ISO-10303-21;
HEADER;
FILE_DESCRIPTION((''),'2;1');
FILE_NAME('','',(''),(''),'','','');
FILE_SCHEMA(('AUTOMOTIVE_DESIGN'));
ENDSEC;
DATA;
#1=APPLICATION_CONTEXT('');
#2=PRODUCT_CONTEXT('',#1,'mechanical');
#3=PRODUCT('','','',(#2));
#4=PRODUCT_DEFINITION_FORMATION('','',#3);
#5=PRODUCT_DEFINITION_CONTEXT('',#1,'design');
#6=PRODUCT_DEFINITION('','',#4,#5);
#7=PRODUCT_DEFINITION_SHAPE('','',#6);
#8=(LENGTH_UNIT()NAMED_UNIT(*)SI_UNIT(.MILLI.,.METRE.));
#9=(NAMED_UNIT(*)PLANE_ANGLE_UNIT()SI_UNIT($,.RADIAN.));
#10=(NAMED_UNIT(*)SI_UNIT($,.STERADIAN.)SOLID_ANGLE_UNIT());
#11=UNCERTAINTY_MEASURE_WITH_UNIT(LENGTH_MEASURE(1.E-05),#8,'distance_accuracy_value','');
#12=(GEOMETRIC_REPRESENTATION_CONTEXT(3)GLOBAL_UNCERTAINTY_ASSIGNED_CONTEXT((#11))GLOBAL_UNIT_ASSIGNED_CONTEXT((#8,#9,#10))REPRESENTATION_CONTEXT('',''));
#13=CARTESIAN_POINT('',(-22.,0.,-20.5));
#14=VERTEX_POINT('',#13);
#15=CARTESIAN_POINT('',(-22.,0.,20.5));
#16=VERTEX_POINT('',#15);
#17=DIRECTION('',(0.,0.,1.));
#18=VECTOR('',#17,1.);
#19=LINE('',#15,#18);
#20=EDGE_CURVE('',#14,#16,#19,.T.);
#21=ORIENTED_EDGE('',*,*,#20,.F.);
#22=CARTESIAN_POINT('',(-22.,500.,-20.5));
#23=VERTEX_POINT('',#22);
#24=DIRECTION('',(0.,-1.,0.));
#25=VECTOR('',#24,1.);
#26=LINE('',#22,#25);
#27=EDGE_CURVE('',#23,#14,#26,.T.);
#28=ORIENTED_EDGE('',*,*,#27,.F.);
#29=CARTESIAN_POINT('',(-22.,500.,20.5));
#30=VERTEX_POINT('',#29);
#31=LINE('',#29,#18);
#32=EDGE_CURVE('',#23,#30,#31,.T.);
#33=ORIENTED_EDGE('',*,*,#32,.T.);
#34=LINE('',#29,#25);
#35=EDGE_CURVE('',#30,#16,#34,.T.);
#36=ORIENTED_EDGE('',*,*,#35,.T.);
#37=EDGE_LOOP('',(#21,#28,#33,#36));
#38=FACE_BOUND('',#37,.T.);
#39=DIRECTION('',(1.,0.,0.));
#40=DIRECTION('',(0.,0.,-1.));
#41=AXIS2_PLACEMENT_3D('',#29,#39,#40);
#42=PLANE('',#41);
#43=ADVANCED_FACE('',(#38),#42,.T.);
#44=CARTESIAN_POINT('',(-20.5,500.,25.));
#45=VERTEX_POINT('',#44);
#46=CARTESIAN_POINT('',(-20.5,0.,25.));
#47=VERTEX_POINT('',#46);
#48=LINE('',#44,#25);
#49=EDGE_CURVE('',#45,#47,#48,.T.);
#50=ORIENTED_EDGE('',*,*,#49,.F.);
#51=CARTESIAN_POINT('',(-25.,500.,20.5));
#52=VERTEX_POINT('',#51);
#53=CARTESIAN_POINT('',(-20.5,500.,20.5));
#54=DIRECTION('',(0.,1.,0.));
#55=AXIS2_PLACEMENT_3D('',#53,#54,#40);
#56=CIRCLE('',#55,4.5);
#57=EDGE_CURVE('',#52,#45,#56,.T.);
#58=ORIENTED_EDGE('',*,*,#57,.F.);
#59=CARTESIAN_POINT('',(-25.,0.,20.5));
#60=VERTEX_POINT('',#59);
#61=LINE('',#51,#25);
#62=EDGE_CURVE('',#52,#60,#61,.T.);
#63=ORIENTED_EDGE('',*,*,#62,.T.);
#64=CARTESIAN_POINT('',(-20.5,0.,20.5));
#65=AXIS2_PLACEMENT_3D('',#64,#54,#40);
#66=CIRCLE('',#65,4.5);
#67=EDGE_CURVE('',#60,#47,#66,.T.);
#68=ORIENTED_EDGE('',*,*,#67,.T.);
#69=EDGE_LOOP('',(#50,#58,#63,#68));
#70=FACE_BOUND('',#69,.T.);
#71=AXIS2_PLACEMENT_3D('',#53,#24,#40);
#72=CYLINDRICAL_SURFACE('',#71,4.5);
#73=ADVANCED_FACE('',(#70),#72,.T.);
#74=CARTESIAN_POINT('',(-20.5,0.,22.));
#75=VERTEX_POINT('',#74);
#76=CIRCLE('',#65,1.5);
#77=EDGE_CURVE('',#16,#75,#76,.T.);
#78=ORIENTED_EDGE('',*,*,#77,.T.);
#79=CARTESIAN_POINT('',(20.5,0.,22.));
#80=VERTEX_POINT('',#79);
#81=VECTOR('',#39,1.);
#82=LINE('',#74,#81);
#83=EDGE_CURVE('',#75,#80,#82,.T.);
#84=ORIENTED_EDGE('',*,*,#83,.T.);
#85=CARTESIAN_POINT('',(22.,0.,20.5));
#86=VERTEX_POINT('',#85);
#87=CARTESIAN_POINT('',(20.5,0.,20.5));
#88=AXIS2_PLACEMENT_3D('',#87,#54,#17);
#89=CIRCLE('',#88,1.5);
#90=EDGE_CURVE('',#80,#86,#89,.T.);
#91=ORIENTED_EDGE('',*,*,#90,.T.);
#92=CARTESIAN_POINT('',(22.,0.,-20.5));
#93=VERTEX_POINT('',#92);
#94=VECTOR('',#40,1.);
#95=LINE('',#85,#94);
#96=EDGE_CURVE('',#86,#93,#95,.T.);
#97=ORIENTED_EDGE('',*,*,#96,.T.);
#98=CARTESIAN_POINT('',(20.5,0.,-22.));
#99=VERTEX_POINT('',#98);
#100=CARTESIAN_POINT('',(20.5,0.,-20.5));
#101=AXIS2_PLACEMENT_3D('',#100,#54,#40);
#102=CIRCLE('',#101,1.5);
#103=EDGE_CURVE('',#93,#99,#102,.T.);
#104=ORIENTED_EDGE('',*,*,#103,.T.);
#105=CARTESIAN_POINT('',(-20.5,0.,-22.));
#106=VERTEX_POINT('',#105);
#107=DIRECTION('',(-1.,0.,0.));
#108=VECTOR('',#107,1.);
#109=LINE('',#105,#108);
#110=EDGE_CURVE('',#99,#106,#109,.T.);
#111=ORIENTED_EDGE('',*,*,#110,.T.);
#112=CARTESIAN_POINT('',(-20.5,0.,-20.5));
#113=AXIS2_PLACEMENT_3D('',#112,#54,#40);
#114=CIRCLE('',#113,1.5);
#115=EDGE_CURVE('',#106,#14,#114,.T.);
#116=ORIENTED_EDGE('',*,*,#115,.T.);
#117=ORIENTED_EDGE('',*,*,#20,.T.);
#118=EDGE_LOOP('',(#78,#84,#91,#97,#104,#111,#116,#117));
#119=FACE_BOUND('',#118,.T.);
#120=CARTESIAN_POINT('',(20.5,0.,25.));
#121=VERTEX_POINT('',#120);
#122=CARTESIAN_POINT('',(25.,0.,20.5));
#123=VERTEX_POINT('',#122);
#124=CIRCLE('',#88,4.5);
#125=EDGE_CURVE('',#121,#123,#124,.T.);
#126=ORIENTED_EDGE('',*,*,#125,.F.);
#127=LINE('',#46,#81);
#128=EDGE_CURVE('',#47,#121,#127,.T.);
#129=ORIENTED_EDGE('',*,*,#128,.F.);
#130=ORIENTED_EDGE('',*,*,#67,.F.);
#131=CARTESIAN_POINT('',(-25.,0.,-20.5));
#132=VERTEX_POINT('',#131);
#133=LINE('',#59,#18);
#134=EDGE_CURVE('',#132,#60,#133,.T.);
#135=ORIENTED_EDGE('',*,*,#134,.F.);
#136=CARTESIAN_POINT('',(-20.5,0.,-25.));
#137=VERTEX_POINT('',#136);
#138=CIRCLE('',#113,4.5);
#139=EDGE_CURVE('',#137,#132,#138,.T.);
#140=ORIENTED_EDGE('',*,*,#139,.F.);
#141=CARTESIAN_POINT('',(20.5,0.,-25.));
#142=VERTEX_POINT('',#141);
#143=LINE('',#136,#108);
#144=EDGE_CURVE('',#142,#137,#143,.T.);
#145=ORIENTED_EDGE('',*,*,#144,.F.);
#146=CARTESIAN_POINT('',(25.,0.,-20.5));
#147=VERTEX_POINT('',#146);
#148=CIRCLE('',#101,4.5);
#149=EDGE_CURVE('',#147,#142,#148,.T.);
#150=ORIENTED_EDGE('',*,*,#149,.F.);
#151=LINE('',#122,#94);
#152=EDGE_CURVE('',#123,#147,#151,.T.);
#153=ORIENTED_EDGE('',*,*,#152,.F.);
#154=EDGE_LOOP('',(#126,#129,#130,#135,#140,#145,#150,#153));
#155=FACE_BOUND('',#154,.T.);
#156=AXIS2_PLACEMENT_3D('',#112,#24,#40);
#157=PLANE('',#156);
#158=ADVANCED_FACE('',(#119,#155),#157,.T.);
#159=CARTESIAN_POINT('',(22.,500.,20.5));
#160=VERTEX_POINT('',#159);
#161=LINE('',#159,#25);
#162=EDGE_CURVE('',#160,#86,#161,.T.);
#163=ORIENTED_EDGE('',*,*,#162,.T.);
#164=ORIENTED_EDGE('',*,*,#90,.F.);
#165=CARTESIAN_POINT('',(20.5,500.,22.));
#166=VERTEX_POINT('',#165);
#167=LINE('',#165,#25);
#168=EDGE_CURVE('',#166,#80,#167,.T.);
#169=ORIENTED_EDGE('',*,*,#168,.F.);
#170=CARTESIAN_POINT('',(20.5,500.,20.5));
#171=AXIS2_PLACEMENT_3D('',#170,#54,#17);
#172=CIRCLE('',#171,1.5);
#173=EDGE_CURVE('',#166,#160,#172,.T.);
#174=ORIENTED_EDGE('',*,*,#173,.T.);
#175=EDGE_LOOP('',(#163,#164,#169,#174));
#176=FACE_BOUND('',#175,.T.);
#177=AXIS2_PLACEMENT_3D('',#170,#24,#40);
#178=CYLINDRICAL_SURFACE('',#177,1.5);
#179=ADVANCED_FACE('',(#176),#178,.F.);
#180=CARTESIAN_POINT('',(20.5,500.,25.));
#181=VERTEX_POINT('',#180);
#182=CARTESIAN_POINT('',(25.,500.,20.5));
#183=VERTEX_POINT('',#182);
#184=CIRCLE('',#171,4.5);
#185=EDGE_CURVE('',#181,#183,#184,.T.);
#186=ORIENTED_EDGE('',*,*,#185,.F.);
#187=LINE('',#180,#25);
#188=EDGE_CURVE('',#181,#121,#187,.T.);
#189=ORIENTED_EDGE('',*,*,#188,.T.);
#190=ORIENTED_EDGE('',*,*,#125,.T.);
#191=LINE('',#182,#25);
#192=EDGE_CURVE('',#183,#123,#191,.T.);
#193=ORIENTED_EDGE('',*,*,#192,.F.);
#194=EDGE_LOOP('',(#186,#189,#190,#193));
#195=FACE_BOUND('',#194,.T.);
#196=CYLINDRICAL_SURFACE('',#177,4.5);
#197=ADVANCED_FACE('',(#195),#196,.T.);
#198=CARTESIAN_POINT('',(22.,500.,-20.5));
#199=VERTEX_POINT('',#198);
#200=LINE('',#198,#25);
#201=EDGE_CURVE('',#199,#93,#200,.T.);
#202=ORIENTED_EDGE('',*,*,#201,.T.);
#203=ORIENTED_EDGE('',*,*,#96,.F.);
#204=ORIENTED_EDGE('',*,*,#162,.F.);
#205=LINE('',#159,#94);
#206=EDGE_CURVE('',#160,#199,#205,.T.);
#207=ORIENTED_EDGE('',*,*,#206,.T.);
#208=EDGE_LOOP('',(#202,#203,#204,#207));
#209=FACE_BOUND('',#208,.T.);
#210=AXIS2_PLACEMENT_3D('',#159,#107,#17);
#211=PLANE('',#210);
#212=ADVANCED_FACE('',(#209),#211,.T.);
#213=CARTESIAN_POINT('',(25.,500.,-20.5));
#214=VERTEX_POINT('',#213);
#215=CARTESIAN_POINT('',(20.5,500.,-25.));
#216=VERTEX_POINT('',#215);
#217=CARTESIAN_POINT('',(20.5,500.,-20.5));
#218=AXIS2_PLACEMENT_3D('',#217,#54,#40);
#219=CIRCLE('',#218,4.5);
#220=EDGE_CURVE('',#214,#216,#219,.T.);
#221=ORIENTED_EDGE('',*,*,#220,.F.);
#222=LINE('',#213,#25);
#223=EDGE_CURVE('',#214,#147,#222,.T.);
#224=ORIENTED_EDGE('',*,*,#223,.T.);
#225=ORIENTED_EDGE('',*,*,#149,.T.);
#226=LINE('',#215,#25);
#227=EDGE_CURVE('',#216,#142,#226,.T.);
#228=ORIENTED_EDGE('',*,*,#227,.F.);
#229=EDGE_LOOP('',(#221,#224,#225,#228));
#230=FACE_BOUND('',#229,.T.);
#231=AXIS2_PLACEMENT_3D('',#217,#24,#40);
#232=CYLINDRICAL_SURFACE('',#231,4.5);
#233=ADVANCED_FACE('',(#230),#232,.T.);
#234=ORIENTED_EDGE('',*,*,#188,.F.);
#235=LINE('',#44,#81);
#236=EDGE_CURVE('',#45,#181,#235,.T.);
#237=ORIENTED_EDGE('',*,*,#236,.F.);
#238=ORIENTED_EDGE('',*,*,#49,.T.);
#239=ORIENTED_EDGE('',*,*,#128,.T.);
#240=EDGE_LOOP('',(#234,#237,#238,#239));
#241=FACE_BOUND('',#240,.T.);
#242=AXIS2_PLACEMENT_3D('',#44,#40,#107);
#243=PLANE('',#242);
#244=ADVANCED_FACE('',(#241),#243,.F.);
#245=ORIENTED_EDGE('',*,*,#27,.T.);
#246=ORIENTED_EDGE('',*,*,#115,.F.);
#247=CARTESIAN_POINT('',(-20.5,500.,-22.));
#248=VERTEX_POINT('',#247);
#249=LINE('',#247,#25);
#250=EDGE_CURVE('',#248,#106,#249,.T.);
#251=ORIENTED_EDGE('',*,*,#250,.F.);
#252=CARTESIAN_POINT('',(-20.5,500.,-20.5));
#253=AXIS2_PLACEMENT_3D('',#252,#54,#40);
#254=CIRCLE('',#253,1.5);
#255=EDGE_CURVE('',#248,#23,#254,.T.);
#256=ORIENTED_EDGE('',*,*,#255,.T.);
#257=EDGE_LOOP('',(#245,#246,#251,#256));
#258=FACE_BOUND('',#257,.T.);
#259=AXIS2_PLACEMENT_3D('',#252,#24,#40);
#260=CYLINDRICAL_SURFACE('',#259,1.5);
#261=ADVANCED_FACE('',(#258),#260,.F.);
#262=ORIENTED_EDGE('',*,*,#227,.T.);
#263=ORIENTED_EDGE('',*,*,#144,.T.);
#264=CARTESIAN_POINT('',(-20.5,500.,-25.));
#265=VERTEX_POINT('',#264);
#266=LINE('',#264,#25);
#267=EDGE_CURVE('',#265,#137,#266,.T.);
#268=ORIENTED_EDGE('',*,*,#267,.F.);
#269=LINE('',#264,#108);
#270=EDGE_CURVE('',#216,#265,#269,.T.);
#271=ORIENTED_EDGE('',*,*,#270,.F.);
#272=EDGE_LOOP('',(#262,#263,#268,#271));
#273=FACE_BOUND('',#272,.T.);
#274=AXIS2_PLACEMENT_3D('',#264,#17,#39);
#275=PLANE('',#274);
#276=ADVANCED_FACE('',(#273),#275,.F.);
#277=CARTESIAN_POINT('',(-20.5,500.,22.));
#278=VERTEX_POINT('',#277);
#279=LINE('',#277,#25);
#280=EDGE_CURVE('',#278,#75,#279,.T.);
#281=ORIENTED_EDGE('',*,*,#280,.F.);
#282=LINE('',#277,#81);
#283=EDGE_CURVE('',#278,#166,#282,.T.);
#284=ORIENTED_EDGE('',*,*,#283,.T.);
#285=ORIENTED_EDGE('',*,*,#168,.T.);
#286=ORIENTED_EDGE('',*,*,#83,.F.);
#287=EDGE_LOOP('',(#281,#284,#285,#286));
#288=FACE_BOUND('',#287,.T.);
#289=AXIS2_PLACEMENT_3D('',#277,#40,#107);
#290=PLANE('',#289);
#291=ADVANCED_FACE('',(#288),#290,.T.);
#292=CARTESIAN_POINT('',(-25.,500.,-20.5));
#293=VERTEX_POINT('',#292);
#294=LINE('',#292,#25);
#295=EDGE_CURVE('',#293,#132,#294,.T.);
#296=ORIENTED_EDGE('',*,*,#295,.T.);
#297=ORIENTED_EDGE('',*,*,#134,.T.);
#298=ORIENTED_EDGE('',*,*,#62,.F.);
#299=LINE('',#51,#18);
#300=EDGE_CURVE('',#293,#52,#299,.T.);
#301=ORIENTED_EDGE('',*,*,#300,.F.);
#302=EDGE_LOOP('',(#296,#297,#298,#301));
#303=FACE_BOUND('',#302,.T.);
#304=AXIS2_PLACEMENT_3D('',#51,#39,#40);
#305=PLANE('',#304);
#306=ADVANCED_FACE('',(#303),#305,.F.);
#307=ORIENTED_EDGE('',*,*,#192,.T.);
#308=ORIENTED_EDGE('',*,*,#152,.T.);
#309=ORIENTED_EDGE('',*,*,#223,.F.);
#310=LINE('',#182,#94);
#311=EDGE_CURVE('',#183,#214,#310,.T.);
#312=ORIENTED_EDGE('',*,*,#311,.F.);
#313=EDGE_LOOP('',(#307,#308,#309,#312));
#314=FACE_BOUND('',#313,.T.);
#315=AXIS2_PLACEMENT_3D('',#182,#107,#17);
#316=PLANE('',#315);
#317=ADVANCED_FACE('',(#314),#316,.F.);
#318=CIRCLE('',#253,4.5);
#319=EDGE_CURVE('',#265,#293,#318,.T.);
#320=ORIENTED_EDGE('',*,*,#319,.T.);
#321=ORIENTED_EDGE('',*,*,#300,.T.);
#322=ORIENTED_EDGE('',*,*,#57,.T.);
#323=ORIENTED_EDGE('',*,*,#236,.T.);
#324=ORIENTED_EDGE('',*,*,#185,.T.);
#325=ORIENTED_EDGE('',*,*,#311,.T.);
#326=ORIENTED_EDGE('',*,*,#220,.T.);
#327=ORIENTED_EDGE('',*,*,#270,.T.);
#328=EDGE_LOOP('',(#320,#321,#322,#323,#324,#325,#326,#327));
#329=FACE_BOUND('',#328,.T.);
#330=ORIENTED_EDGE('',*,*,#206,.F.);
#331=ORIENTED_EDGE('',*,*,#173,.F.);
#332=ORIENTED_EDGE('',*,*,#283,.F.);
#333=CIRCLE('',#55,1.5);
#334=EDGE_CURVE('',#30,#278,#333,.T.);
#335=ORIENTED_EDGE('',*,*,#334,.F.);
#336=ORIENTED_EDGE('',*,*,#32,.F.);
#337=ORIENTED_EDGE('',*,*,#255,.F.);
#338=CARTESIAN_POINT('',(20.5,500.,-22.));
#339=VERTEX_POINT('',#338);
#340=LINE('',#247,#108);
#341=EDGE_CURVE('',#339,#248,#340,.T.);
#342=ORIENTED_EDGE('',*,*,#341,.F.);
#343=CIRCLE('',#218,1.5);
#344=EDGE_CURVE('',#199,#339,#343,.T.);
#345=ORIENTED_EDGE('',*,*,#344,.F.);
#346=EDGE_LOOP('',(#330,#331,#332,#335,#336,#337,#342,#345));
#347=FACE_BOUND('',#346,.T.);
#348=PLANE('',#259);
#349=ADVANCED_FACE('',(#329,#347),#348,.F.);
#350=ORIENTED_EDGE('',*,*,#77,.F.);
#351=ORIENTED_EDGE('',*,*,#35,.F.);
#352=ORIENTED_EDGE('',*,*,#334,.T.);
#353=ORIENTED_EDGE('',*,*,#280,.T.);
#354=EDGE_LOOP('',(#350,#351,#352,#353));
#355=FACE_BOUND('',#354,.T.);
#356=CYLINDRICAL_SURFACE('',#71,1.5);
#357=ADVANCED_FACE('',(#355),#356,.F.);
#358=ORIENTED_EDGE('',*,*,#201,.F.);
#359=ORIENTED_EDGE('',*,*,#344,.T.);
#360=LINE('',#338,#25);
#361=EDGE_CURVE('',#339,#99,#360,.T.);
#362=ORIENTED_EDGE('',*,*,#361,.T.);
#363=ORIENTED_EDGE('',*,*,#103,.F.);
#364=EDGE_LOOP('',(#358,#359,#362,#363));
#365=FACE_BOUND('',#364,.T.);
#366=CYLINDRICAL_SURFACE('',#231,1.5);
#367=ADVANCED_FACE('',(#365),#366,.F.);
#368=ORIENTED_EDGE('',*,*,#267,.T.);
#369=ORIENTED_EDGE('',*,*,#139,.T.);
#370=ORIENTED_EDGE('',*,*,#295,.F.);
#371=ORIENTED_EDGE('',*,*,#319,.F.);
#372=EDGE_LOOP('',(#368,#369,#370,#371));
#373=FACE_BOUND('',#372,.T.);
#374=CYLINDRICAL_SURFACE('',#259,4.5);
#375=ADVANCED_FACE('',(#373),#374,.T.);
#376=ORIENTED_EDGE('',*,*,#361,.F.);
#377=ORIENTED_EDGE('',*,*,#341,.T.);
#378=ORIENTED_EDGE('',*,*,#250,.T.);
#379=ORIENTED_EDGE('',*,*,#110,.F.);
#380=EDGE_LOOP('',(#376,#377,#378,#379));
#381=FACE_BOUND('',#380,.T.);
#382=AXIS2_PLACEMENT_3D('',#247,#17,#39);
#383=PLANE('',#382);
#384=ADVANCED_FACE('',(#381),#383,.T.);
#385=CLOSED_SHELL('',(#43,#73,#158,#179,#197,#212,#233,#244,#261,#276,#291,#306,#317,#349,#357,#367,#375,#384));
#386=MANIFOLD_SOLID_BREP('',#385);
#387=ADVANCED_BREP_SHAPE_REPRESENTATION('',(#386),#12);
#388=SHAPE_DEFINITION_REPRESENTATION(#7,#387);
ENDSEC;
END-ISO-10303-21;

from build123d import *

# Parameters (mm, degrees)
PTR_ASTM_A500_GRADO_B_1_DEPTH = 500


with BuildPart() as part:
    # Sketch11 → Ptr ASTM A500 GRADO B(1) (new body)
    with BuildSketch(Plane(origin=(0, 0, 0), x_dir=(-1, 0, 0), z_dir=(0, 1, 0))):
        with BuildLine():
            Line((20.5, 25), (-20.5, 25))
            ThreePointArc((-20.5, 25), (-23.681980515, 23.681980515), (-25, 20.5))
            Line((-25, 20.5), (-25, -20.5))
            ThreePointArc((-25, -20.5), (-23.681980515, -23.681980515), (-20.5, -25))
            Line((-20.5, -25), (20.5, -25))
            ThreePointArc((20.5, -25), (23.681980515, -23.681980515), (25, -20.5))
            Line((25, -20.5), (25, 20.5))
            ThreePointArc((25, 20.5), (23.681980515, 23.681980515), (20.5, 25))
        make_face()
        with BuildLine():
            Line((20.5, 22), (-20.5, 22))
            ThreePointArc((-20.5, 22), (-21.560660172, 21.560660172), (-22, 20.5))
            Line((-22, 20.5), (-22, -20.5))
            ThreePointArc((-22, -20.5), (-21.560660172, -21.560660172), (-20.5, -22))
            Line((-20.5, -22), (20.5, -22))
            ThreePointArc((20.5, -22), (21.560660172, -21.560660172), (22, -20.5))
            Line((22, -20.5), (22, 20.5))
            ThreePointArc((22, 20.5), (21.560660172, 21.560660172), (20.5, 22))
        make_face(mode=Mode.SUBTRACT)
    extrude(amount=PTR_ASTM_A500_GRADO_B_1_DEPTH)


solid = part.part
